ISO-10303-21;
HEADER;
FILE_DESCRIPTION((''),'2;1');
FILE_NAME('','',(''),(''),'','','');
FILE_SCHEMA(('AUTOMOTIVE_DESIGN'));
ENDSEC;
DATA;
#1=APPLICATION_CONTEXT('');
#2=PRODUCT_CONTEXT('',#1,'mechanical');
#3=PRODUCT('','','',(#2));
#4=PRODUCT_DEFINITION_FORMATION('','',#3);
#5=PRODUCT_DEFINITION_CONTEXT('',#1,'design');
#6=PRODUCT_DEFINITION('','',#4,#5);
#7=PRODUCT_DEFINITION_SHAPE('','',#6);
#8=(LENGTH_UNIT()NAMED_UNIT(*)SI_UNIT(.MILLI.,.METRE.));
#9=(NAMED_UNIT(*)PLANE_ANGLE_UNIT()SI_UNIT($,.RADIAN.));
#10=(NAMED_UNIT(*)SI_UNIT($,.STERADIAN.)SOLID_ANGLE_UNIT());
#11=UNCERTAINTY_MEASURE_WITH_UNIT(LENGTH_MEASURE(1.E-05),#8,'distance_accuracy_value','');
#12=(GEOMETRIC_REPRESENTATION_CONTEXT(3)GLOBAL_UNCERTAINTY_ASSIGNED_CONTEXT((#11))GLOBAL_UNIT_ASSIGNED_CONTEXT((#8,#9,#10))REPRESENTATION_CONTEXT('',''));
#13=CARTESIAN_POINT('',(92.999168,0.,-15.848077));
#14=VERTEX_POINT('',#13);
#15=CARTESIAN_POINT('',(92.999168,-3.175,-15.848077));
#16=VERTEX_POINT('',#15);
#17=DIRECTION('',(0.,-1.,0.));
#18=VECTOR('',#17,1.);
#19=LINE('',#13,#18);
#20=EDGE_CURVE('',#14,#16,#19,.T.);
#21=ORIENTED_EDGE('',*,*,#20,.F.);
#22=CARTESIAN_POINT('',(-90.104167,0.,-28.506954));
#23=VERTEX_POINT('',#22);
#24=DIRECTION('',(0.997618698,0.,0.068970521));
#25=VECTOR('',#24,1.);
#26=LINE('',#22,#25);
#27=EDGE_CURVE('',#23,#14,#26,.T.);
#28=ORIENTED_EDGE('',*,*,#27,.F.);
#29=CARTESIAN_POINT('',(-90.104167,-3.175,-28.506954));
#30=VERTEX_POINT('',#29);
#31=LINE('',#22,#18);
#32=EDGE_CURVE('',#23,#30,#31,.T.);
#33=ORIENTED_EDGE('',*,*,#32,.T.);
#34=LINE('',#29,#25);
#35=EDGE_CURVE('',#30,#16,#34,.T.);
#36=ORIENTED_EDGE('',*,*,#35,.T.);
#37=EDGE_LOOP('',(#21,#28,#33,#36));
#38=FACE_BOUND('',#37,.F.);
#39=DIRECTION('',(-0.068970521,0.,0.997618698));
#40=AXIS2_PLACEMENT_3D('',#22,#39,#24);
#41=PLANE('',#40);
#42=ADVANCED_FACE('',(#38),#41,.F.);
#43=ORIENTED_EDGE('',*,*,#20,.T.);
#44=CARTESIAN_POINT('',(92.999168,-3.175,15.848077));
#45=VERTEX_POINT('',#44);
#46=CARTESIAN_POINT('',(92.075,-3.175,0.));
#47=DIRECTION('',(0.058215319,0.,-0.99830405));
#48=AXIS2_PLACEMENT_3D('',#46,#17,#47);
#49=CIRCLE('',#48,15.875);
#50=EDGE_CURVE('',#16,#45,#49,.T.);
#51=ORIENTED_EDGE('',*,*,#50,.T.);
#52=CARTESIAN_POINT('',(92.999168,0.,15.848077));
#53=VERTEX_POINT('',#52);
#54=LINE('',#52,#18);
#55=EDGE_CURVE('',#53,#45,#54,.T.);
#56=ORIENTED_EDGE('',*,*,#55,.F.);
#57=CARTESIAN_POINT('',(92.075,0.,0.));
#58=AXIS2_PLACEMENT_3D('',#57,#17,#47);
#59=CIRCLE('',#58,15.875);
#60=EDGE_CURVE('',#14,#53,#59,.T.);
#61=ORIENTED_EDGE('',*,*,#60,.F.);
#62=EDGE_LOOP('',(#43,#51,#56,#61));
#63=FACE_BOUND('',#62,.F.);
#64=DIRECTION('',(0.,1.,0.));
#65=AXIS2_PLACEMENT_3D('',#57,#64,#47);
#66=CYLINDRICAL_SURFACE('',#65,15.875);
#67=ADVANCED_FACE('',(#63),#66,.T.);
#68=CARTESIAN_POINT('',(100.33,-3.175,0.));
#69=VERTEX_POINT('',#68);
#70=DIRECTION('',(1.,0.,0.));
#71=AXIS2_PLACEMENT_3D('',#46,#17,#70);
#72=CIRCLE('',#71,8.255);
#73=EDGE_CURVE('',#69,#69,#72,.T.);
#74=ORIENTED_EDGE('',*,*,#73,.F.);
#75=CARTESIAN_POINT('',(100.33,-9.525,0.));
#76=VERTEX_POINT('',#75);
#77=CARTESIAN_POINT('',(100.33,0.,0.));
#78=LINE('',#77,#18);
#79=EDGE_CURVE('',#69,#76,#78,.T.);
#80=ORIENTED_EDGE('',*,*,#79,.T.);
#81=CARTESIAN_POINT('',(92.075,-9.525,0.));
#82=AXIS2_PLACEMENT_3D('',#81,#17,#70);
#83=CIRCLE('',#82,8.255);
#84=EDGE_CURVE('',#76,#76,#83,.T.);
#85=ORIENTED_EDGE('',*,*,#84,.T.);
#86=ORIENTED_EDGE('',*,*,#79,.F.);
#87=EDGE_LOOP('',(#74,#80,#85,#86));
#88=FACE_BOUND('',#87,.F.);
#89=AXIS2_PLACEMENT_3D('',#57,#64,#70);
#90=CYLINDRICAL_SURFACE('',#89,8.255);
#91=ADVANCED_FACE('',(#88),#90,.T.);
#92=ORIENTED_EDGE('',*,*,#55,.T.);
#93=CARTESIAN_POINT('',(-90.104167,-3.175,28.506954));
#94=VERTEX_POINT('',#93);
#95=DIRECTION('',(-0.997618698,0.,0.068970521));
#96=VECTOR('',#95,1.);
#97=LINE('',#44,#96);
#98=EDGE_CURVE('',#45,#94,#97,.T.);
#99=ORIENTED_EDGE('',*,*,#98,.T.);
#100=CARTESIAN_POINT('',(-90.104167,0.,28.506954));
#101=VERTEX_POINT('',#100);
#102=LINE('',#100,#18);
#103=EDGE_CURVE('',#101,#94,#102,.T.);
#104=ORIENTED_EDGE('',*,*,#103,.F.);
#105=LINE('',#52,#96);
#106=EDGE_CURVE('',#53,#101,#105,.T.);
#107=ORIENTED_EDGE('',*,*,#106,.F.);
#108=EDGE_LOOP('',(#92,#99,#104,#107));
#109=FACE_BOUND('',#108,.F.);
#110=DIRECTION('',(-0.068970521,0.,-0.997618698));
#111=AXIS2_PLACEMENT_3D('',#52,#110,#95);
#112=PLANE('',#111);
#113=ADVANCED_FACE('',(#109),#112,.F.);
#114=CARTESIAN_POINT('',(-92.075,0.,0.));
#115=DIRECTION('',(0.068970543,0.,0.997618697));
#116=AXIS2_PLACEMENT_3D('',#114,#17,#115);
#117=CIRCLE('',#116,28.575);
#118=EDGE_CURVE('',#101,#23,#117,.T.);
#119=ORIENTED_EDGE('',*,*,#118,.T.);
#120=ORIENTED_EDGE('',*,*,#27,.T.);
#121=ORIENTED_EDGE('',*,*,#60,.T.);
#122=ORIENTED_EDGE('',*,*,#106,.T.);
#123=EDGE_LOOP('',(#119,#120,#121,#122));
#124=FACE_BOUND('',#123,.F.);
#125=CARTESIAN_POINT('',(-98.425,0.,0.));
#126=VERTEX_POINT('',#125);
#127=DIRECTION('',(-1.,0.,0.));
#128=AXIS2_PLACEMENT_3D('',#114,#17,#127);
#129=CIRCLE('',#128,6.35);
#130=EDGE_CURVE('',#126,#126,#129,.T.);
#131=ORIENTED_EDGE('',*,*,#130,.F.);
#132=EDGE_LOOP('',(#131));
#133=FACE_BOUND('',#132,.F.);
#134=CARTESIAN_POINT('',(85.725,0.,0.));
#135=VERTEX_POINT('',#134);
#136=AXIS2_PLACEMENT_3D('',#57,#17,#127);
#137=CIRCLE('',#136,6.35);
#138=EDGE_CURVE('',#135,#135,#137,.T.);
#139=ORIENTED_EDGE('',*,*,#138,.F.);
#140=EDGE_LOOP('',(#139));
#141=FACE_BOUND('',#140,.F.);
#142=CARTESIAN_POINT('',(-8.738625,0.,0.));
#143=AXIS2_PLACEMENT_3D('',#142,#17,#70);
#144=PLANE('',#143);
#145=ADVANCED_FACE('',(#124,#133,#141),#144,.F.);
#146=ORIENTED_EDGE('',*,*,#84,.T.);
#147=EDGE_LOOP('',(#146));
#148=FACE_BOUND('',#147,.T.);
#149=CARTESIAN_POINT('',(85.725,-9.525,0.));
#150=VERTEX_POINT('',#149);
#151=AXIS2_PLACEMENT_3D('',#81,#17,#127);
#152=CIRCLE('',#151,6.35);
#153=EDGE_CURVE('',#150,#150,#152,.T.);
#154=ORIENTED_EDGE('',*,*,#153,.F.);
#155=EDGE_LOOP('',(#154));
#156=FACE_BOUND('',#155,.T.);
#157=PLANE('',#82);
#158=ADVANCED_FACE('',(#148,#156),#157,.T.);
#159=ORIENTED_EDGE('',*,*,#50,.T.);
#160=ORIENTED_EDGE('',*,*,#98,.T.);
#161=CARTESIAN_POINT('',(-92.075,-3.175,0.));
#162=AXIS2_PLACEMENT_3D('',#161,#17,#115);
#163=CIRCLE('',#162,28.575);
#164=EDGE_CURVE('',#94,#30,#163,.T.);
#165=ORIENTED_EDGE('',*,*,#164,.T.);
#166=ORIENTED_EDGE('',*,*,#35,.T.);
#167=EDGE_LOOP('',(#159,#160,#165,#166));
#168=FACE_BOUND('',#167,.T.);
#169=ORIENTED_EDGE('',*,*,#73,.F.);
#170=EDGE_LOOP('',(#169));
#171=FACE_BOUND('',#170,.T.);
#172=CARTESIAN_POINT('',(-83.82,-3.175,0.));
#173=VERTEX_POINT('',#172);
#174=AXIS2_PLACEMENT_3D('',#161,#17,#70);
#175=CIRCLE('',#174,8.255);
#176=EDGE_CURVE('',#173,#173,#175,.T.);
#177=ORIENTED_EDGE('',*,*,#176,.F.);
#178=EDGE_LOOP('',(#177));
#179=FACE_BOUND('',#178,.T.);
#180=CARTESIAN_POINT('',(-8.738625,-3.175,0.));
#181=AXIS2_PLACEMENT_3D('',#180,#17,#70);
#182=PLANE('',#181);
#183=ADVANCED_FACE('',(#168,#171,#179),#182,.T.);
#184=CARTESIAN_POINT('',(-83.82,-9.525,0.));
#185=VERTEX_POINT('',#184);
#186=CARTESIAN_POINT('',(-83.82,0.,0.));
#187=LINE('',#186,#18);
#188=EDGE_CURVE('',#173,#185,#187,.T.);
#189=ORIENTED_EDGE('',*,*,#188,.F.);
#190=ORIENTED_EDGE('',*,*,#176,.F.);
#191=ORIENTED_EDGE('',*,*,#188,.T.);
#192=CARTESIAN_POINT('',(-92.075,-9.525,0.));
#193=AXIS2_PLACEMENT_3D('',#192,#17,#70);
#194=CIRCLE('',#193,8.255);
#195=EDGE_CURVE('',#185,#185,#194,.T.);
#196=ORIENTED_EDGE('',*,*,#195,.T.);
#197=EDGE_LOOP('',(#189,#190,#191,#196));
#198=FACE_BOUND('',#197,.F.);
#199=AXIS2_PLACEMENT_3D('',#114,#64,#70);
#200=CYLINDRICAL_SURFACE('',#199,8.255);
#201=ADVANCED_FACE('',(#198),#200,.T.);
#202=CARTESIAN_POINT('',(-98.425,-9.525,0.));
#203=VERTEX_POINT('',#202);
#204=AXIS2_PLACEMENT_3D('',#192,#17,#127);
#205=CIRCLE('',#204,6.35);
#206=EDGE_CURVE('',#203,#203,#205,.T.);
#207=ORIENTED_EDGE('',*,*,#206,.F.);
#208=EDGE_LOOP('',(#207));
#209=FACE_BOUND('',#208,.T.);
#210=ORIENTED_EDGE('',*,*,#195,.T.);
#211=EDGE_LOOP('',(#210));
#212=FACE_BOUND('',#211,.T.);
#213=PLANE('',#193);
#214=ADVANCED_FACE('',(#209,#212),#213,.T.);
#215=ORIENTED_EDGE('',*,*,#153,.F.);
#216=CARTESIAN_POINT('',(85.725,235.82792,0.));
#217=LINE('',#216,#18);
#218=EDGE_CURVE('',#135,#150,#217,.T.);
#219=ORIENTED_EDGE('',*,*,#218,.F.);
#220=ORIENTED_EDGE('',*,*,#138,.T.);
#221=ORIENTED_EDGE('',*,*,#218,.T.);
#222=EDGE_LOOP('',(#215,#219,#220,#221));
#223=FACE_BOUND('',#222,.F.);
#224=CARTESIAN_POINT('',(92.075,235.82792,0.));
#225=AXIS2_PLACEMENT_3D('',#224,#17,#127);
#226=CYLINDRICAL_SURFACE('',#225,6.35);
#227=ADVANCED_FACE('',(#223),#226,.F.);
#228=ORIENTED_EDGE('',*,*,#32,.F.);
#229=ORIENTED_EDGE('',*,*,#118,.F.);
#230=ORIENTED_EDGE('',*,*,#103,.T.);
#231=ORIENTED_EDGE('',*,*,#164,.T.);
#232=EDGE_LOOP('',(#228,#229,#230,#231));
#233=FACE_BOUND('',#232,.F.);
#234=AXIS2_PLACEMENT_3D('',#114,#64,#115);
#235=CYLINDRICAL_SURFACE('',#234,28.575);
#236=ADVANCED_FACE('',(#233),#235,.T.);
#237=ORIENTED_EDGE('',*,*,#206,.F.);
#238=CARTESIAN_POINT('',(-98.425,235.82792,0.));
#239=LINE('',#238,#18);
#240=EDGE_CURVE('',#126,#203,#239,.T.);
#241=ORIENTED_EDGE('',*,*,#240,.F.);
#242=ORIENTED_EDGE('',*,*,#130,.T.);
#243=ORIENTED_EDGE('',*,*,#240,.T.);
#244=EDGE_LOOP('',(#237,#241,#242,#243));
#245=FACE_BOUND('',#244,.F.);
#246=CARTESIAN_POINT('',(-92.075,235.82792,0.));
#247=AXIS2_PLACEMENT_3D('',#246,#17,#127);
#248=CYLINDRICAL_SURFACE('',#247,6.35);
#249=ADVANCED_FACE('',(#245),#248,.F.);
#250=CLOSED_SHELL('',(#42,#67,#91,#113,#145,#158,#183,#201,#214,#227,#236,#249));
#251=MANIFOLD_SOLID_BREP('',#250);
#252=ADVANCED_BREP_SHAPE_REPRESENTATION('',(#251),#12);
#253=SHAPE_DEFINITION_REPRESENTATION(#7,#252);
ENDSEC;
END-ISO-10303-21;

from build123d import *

# Parameters (mm, degrees)
F0_R     = 8.255
F1_DEPTH = 3.175
F2_DEPTH = 9.525
F3_D     = 12.7


with BuildPart() as f1:
    # F0 (on Front) → F1 (new body)
    with BuildSketch(Plane.XZ):
        with BuildLine():
            Line((92.999168, 15.848077), (-90.104167, 28.506954))
            ThreePointArc((-90.104167, 28.506954), (-120.65, 0), (-90.104167, -28.506954))
            Line((-90.104167, -28.506954), (92.999168, -15.848077))
            ThreePointArc((92.999168, -15.848077), (107.95, 0), (92.999168, 15.848077))
        make_face()
        with Locations((-92.075, 0)):
            Circle(F0_R, mode=Mode.SUBTRACT)
        with Locations((92.075, 0)):
            Circle(F0_R, mode=Mode.SUBTRACT)
    extrude(amount=F1_DEPTH)

    # F0 (on Front) → F2 (join)
    with BuildSketch(Plane.XZ):
        with Locations((-92.075, 0)):
            Circle(F0_R)
        with Locations((92.075, 0)):
            Circle(F0_R)
    extrude(amount=F2_DEPTH)

    # F3 (through all)
    with Locations(Plane(origin=(0, 0, 0), x_dir=(1, 0, 0), z_dir=(0, 1, 0))):
        with Locations((-92.075, 0), (92.075, 0)):
            Hole(F3_D / 2)


solid = f1.part
